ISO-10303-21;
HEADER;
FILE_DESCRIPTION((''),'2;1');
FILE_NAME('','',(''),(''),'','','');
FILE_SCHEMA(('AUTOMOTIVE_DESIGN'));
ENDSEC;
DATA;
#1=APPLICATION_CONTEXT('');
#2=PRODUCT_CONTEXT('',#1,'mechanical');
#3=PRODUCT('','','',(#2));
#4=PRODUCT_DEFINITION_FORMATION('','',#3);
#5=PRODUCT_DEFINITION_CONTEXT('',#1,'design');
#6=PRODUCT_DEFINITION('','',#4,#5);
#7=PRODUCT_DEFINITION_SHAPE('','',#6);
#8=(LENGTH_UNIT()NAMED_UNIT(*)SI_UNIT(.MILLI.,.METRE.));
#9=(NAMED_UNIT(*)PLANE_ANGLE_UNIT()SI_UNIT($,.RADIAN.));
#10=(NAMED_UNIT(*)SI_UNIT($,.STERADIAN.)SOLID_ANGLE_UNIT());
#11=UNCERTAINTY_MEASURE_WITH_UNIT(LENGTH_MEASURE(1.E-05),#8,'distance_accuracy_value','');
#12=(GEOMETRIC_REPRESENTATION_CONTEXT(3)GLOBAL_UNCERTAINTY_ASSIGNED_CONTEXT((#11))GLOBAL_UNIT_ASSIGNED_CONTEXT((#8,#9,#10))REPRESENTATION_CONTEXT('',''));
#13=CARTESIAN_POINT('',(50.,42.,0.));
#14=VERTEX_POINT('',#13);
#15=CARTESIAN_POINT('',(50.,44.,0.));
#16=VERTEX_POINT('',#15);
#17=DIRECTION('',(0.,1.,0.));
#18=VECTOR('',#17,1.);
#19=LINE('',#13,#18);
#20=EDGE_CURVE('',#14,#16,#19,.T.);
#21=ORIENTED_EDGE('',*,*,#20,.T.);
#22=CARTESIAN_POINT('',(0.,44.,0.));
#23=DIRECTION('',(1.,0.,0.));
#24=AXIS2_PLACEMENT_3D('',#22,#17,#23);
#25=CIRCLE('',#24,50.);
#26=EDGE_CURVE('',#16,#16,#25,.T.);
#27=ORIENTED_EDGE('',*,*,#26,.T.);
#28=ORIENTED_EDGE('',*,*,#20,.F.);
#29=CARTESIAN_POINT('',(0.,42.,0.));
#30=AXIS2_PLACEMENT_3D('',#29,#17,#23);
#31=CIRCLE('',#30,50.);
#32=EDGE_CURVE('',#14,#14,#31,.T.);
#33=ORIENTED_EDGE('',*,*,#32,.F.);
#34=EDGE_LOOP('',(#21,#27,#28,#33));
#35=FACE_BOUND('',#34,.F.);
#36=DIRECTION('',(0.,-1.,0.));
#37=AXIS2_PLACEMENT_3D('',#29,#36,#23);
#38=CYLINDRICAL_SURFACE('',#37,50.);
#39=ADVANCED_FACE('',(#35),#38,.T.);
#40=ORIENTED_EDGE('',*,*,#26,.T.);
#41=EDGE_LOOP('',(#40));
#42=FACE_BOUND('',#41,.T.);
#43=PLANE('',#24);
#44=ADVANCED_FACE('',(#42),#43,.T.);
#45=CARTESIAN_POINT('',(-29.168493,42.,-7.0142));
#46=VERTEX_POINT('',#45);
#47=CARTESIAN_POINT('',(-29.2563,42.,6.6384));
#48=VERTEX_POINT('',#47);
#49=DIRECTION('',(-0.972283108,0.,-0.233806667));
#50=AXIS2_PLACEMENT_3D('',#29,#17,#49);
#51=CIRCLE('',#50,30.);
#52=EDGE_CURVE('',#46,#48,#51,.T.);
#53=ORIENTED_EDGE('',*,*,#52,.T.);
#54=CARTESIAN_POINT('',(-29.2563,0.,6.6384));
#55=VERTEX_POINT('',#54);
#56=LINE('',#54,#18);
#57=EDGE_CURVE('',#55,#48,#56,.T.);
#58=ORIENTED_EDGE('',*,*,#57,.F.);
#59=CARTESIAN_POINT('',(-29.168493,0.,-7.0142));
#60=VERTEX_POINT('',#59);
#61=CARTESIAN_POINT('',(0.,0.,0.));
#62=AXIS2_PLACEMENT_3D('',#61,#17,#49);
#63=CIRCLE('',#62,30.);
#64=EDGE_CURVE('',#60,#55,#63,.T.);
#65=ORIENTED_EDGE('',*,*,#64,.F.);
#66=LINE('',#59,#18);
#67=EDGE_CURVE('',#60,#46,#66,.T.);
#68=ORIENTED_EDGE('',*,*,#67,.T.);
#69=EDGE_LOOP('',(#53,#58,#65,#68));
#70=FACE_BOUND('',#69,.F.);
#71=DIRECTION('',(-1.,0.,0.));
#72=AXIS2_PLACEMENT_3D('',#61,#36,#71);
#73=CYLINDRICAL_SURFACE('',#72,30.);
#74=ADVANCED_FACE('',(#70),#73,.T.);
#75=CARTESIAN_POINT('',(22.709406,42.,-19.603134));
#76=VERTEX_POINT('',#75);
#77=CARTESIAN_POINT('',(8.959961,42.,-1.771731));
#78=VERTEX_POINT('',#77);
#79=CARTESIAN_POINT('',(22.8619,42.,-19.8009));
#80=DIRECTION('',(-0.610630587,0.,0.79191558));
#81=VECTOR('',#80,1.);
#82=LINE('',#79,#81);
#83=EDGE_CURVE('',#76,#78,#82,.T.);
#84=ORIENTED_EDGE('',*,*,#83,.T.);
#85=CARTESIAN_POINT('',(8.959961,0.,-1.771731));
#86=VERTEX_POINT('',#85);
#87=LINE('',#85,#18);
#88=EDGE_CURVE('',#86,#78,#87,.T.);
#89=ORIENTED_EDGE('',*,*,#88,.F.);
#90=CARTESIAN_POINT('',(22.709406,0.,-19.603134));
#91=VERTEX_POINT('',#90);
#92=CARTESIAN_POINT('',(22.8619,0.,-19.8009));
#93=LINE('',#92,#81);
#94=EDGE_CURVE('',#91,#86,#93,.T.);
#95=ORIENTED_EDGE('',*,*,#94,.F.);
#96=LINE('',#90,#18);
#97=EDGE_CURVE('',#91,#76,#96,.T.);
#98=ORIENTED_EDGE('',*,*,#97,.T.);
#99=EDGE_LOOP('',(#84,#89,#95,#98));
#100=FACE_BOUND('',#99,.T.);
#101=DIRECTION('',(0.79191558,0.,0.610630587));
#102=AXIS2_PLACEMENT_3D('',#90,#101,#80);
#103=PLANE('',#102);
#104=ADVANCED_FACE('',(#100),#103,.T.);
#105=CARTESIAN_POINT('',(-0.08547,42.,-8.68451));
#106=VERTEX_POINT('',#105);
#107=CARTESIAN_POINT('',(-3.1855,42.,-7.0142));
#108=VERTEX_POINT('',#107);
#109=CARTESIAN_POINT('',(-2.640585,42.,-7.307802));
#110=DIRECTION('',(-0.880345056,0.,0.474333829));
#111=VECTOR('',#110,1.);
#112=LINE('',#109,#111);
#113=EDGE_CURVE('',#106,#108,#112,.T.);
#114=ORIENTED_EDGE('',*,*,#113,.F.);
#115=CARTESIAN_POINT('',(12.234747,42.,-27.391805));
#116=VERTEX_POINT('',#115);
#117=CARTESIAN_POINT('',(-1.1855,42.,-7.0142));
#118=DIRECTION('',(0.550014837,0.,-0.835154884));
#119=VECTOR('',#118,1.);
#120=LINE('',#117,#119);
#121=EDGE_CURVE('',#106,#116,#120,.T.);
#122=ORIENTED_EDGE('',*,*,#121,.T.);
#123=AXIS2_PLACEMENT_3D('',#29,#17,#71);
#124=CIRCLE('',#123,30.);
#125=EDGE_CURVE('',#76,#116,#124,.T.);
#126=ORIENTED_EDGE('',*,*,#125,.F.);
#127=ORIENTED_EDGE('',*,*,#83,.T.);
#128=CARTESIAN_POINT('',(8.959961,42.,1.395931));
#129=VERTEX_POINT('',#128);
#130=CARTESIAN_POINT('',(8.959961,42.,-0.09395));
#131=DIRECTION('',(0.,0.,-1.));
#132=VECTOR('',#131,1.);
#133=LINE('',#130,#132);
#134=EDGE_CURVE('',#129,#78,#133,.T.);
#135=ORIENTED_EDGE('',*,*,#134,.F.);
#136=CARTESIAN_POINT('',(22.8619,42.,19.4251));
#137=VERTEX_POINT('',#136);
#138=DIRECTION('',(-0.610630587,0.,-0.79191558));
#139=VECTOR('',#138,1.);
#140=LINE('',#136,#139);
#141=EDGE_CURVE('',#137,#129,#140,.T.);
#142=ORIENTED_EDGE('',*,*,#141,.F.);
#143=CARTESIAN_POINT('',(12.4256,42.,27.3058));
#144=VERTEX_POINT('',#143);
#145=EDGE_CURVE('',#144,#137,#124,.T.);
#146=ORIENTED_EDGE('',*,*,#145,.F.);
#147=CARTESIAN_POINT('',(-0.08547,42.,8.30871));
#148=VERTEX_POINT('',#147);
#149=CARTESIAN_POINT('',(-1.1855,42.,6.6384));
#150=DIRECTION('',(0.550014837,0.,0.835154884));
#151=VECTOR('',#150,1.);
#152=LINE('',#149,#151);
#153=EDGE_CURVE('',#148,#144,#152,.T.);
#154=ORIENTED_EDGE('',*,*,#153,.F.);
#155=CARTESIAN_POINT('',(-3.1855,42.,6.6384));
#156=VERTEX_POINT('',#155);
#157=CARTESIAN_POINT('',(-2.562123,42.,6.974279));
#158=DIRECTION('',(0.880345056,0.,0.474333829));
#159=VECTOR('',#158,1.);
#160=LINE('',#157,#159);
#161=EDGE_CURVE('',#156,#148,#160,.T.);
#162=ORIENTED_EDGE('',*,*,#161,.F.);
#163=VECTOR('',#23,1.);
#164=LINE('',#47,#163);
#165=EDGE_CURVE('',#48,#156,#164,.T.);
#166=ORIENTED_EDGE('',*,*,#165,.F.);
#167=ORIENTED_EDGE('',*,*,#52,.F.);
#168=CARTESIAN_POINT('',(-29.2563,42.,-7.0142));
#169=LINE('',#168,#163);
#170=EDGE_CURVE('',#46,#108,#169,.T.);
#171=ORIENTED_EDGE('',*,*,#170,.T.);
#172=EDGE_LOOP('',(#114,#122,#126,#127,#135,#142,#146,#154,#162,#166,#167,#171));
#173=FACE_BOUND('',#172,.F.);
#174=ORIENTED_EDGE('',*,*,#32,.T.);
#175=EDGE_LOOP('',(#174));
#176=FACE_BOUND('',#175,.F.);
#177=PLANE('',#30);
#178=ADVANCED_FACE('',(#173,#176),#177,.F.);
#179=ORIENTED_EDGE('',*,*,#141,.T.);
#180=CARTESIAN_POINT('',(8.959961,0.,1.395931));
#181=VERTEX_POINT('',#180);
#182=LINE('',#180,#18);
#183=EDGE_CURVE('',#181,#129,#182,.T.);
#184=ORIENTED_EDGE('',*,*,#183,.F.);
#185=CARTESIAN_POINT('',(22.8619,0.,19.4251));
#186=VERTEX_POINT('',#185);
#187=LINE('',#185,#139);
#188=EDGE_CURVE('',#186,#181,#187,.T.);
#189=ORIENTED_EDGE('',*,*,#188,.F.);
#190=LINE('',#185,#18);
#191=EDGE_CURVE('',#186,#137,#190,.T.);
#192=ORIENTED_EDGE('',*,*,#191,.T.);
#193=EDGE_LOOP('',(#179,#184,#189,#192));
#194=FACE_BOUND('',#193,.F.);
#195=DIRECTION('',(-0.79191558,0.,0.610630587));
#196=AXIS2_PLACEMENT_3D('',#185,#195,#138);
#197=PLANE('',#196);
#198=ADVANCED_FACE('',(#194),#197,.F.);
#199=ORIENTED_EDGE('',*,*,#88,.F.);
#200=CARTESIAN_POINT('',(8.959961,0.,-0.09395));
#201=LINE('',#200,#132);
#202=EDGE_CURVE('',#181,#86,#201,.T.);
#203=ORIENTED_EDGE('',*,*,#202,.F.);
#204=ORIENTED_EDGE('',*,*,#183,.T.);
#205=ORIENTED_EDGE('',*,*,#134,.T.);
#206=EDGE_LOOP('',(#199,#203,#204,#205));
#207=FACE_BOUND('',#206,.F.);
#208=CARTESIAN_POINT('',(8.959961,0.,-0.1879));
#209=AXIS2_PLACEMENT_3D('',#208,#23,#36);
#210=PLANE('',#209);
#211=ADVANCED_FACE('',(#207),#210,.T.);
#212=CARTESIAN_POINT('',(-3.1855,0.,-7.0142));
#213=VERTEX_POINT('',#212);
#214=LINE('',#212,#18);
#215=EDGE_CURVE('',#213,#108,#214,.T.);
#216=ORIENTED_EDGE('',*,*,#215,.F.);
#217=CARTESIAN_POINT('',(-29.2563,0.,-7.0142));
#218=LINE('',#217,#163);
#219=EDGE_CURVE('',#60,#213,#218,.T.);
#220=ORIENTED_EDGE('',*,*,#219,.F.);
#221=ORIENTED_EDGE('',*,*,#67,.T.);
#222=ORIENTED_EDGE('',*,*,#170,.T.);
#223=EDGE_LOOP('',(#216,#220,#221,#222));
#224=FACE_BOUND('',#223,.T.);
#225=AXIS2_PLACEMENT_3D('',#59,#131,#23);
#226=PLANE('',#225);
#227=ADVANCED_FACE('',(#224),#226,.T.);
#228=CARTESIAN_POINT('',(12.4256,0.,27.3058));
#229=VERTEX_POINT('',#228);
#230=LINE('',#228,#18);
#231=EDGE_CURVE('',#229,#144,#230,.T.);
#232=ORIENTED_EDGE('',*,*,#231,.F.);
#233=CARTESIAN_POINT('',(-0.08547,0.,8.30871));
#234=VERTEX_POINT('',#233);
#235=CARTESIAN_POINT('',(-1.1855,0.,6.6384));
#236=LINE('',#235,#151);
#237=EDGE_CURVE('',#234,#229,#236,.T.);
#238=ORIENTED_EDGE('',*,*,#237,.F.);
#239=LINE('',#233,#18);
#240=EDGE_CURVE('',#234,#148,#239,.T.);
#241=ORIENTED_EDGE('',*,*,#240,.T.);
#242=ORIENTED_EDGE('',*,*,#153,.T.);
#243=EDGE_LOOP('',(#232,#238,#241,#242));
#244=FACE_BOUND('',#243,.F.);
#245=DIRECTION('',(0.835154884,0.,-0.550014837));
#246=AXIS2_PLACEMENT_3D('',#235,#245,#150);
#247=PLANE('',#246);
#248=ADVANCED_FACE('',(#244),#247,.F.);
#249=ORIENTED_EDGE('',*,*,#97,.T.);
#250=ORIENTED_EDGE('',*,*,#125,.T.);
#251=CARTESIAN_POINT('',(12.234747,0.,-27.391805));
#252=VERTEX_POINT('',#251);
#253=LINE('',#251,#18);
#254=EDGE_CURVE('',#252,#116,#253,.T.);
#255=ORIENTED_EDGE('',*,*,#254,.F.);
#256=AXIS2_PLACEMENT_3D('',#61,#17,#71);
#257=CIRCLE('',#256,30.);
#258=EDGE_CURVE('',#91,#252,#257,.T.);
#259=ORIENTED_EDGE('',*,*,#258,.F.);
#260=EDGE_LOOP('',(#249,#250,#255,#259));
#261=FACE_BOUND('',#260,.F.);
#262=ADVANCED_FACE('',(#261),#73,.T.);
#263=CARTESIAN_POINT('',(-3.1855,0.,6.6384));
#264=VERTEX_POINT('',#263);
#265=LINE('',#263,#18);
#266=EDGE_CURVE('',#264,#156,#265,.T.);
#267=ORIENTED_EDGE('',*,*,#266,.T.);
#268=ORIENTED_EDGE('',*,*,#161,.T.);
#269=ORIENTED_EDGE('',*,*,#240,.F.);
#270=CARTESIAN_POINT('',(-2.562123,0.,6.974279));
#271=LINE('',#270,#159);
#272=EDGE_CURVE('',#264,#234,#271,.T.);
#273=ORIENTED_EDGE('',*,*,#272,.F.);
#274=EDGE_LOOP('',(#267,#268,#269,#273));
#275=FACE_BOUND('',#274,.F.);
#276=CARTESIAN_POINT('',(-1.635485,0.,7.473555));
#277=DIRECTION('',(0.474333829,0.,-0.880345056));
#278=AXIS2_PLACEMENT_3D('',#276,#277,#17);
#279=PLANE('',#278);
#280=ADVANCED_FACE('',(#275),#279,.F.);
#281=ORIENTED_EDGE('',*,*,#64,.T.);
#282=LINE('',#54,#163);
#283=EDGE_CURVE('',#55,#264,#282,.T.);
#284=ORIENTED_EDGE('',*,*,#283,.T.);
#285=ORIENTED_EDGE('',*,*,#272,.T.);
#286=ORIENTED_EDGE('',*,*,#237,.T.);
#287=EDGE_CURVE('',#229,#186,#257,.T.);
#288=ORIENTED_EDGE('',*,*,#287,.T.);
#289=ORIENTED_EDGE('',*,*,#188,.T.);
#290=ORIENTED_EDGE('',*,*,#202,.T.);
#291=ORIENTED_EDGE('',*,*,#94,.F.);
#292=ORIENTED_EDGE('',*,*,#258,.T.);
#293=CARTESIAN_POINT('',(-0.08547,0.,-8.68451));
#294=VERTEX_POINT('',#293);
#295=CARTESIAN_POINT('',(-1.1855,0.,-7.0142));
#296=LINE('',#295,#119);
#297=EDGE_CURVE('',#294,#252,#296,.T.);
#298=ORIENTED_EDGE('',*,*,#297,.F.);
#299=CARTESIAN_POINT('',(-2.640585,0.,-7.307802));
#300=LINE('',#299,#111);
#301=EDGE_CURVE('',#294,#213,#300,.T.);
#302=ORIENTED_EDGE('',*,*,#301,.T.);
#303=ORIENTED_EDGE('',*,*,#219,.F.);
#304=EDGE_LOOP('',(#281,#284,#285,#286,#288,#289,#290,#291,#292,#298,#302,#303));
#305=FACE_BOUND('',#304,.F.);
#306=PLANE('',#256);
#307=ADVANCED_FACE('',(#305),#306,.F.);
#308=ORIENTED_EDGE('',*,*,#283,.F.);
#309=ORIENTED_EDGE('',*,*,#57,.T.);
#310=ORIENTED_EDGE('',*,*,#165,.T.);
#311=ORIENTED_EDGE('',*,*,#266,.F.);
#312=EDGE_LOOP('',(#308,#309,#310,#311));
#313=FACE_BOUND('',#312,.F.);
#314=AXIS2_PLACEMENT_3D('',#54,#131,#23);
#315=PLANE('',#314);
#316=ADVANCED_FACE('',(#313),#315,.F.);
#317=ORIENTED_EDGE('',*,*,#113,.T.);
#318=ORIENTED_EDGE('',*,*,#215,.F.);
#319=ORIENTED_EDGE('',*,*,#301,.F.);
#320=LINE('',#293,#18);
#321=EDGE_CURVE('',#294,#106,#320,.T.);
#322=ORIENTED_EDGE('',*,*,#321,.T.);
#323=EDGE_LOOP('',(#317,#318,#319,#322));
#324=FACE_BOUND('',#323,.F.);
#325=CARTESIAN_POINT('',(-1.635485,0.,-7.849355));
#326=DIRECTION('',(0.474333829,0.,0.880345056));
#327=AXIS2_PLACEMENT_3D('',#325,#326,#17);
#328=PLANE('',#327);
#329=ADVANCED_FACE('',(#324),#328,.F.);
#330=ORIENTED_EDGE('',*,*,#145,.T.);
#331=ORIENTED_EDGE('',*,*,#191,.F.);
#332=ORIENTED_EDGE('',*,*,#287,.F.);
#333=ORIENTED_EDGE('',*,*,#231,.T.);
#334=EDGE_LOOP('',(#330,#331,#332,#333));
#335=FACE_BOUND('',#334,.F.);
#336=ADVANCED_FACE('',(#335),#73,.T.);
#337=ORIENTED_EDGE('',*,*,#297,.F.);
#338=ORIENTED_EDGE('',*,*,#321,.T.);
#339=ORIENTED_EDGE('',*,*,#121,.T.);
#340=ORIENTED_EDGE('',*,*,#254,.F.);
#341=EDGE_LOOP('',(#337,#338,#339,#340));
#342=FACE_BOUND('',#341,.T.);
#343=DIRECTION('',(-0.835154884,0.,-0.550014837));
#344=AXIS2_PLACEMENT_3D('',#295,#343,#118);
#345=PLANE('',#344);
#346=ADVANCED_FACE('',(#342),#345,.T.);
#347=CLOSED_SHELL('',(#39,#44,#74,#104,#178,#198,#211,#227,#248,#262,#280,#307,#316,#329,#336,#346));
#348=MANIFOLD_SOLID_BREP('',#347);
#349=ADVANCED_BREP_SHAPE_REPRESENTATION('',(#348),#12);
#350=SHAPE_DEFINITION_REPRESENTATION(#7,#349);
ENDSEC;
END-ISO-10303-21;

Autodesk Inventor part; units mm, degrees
ref_plane "YZ Plane" through (0, 0, 0) normal (1, 0, 0) x (0, 1, 0)
ref_plane "XZ Plane" through (0, 0, 0) normal (0, 1, 0) x (-1, 0, 0)
ref_plane "XY Plane" through (0, 0, 0) normal (0, 0, 1) x (1, 0, 0)
sketch "Esboço1" plane through (0, 0, 0) normal (0, 1, 0) x (-1, 0, 0)
  circle A0 centre (0, 0) radius 30
  line L0 (29.2563, 6.6384) -> (1.1855, 6.6384)
  line L1 (1.1855, 6.6384) -> (-12.4256, 27.3058)
  line L2 (-22.8619, 19.4251) -> (-7.7387, -0.1879)
  line L3 (29.9994, -0.1879) -> (-29.9994, -0.1879) construction
  line L4 (29.2563, -7.0142) -> (1.1855, -7.0142)
  line L5 (1.1855, -7.0142) -> (-12.4256, -27.6816)
  line L6 (-22.8619, -19.8009) -> (-7.7387, -0.1879)
  point P0 (29.2563, -6.6384)
  point P1 (-23.0884, -19.1553)
  point P2 (-22.7094, -19.6031)
  point P3 (29.1685, -7.0142)
  point P4 (-12.2347, -27.3918)
  dimension "d0" = 60
extrude "Extrusão1" add sketch "Esboço1" along normal blind 42 contours A0 L4 L5 L6 L2 L1 L0
sketch "Esboço2" plane through (0, 42, 0) normal (0, 1, 0) x (1, 0, 0)
  circle A0 centre (0, 0) radius 50
  dimension "d3" = 100
extrude "Extrusão2" add sketch "Esboço2" along normal blind 2
chamfer "Chanfro1" distance 2 angle 45 3 edges at (-1.1855, 21, -7.0142) (-1.1855, 21, 6.6384) (7.7387, 21, -0.1879)
sketch "Esboço3" plane through (12.2347, 0, -27.3918) normal (-0.8352, 0, -0.55) x (-0.55, 0, 0.8352)
  line L0 (23.1979, 0) -> (0.7435, 0) projected
  line L1 (79.6057, 44) -> (-20.3943, 44) projected
  point P0 (29.6057, 0)
  dimension "d10" = 44
